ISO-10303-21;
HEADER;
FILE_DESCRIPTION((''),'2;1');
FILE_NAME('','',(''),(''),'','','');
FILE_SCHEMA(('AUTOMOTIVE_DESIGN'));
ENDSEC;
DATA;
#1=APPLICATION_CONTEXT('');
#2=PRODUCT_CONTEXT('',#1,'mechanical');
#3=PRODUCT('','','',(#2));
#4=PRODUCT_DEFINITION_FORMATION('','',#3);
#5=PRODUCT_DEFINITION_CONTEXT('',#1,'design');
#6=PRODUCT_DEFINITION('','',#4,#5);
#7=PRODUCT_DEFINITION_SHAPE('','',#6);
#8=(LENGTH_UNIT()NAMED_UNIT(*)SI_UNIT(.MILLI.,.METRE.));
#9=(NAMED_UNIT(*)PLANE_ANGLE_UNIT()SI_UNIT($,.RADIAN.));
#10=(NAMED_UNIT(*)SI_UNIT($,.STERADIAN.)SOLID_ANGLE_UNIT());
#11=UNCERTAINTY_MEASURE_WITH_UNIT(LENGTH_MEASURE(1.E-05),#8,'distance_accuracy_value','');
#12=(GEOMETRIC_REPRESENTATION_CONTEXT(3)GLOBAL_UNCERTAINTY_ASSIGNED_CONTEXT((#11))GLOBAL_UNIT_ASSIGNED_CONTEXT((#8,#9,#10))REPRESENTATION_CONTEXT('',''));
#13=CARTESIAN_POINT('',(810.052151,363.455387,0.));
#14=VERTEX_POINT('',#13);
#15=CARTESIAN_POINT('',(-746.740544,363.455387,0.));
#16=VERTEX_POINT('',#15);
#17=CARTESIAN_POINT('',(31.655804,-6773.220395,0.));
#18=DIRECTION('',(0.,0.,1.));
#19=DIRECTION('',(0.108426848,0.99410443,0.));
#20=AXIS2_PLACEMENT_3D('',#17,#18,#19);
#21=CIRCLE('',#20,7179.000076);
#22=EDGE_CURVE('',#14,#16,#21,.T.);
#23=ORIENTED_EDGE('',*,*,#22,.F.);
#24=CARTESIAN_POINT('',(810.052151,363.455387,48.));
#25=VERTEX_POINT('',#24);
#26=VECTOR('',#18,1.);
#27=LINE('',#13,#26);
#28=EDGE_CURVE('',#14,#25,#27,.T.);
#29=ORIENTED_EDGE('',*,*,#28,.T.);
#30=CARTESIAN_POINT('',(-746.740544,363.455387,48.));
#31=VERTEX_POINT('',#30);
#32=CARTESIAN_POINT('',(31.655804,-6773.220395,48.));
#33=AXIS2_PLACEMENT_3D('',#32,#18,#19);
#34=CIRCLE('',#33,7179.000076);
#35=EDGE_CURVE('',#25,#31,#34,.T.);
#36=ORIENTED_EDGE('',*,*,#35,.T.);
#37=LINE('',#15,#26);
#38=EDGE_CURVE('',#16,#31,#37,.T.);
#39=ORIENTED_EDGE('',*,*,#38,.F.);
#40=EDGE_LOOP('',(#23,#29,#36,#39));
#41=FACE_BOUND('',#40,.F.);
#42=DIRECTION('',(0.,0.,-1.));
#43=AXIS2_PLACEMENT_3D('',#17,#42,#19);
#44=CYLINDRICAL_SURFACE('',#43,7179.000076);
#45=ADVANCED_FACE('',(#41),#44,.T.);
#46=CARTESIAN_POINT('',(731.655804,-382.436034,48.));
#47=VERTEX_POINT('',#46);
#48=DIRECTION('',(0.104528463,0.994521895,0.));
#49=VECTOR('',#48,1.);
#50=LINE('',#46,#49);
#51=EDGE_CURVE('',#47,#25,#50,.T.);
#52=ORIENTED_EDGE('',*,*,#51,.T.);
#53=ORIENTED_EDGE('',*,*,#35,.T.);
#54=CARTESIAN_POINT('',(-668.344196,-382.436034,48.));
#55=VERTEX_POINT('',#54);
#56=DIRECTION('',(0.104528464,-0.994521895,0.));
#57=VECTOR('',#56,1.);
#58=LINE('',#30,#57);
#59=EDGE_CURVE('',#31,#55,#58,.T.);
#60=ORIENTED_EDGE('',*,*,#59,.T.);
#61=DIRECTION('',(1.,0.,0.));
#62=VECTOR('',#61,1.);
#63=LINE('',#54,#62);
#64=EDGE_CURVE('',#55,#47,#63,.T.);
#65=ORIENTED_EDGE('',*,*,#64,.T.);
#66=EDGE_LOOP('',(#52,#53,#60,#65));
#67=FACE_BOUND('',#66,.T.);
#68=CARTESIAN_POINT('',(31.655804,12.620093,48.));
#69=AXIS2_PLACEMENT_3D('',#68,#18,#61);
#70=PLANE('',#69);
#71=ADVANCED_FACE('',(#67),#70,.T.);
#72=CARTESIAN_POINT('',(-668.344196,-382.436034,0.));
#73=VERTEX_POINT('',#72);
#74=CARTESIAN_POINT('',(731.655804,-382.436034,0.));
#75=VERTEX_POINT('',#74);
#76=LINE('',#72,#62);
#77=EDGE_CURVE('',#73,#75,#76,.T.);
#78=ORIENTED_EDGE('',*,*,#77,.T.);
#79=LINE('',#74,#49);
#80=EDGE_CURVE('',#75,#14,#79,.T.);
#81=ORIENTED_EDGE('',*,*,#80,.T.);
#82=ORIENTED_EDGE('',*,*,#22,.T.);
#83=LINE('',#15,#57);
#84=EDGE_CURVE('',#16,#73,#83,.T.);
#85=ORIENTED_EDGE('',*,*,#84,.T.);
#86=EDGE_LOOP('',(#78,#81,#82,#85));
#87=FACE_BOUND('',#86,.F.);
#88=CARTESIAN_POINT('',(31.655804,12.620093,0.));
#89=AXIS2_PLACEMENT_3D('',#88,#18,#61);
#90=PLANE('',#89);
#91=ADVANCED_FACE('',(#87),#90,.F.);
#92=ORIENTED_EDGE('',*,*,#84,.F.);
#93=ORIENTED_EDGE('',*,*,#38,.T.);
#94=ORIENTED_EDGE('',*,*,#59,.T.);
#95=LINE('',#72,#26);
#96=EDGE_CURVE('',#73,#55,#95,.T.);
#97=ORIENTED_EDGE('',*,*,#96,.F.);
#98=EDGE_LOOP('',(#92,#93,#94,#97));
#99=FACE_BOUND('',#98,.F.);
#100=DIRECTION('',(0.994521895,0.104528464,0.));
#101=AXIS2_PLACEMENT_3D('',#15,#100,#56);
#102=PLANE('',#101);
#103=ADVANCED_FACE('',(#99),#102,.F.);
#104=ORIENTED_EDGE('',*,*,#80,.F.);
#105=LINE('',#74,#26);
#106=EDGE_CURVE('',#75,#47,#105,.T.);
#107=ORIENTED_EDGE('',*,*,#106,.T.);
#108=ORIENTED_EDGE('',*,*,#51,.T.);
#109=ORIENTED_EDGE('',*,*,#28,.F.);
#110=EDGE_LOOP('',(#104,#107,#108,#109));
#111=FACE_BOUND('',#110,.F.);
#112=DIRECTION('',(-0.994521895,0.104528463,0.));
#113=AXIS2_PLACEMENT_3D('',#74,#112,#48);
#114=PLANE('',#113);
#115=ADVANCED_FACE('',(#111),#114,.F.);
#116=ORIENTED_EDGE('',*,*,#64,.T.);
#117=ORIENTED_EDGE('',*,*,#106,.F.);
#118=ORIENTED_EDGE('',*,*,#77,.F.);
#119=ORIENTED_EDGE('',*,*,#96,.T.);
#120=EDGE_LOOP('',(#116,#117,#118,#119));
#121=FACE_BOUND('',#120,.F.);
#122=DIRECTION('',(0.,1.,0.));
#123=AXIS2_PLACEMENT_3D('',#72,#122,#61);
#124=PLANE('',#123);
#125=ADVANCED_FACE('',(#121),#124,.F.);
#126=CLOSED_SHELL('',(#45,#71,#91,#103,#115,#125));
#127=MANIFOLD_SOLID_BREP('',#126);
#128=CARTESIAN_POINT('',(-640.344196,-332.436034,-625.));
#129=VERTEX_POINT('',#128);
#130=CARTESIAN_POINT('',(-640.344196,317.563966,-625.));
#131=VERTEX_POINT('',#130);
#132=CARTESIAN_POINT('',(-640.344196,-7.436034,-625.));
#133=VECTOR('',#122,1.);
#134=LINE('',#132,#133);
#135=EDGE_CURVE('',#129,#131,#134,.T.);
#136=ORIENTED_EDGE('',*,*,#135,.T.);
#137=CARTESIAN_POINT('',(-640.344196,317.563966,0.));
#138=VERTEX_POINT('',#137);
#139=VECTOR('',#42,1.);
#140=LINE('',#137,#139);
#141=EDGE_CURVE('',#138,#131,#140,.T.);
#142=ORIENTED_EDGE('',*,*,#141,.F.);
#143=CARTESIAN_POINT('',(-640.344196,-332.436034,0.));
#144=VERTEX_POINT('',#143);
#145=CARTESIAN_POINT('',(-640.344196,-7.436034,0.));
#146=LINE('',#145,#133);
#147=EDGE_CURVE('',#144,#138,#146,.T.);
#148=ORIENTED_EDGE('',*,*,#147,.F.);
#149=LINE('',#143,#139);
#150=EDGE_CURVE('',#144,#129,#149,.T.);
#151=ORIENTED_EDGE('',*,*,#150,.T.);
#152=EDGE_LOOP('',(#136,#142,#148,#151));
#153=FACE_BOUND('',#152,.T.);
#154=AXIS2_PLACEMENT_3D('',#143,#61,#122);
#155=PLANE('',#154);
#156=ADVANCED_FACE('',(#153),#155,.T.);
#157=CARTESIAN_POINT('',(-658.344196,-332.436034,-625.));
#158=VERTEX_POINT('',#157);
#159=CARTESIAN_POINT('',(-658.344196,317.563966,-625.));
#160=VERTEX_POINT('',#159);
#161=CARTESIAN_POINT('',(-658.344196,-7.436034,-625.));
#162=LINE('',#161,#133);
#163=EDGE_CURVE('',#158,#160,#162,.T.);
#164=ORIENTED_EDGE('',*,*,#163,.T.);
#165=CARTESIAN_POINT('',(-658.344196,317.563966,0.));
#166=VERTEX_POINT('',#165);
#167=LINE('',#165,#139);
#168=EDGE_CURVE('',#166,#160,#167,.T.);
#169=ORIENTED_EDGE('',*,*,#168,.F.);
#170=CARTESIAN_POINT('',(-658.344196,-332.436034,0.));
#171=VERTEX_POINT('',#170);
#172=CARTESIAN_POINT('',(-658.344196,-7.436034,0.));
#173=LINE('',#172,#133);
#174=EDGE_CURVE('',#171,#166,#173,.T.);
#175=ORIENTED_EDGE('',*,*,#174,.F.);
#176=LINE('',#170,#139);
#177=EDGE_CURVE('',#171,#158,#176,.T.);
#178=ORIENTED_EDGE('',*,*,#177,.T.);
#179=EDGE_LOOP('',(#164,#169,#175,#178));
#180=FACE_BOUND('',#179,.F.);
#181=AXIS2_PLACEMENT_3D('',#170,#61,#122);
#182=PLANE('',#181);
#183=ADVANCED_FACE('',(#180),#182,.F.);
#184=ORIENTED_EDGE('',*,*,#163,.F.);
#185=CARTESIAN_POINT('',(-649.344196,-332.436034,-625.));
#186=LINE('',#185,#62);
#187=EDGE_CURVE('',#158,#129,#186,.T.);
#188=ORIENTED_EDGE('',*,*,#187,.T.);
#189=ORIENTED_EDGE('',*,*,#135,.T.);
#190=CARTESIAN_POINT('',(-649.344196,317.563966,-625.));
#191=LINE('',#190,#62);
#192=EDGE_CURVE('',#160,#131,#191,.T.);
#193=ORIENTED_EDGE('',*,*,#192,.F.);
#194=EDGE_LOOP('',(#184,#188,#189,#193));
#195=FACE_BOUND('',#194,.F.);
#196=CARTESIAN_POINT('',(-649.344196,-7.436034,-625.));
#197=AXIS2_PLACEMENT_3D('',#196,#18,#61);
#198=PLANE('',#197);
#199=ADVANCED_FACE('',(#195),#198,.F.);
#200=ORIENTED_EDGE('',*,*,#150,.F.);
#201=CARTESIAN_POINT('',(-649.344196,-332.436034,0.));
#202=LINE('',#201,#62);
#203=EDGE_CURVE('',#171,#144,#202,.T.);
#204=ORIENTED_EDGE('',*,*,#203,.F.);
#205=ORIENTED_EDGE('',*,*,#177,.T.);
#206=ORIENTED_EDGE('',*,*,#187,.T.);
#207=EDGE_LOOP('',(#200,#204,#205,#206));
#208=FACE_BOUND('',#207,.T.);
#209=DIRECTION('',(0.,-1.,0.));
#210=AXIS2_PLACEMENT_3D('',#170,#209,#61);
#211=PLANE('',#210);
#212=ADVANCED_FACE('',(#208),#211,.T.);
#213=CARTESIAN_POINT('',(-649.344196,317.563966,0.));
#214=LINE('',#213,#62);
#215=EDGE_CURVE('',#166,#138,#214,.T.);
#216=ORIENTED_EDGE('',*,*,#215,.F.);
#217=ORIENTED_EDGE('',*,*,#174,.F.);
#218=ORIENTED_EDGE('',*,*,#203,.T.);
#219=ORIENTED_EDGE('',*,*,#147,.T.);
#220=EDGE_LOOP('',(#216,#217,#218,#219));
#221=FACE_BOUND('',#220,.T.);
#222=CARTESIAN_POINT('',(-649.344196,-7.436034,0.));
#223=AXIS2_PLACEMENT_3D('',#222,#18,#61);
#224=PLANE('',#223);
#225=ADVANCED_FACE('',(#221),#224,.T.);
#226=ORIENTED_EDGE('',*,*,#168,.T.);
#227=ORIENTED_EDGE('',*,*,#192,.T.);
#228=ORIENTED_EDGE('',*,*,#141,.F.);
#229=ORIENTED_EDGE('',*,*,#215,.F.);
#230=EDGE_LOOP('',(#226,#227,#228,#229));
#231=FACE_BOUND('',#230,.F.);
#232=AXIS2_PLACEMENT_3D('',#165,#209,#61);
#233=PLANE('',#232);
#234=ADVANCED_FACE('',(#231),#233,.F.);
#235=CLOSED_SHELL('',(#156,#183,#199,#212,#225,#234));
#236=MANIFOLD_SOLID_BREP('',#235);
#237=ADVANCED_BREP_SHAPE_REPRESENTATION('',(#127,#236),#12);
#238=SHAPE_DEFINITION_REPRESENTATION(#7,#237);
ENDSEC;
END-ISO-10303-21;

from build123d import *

# Parameters (mm, degrees)
F1_DEPTH = 48
F2_W     = 18
F2_H     = 650
F3_DEPTH = 625


with BuildPart() as f1:
    # F0 (on Top) → F1 (new body)
    with BuildSketch(Plane.XY):
        with BuildLine():
            Line((-746.740544, 363.455387), (-668.344196, -382.436034))
            Line((-668.344196, -382.436034), (731.655804, -382.436034))
            Line((731.655804, -382.436034), (810.052151, 363.455387))
            ThreePointArc((810.052151, 363.455387), (31.655804, 405.779681), (-746.740544, 363.455387))
        make_face()
    extrude(amount=F1_DEPTH)


with BuildPart() as f3:
    # F2 (on face) → F3 (new body)
    with BuildSketch(Plane.XY):
        with Locations((-649.344196, -7.436034)):
            Rectangle(F2_W, F2_H)
    extrude(amount=-F3_DEPTH)


solid = Compound([f1.part, f3.part])
